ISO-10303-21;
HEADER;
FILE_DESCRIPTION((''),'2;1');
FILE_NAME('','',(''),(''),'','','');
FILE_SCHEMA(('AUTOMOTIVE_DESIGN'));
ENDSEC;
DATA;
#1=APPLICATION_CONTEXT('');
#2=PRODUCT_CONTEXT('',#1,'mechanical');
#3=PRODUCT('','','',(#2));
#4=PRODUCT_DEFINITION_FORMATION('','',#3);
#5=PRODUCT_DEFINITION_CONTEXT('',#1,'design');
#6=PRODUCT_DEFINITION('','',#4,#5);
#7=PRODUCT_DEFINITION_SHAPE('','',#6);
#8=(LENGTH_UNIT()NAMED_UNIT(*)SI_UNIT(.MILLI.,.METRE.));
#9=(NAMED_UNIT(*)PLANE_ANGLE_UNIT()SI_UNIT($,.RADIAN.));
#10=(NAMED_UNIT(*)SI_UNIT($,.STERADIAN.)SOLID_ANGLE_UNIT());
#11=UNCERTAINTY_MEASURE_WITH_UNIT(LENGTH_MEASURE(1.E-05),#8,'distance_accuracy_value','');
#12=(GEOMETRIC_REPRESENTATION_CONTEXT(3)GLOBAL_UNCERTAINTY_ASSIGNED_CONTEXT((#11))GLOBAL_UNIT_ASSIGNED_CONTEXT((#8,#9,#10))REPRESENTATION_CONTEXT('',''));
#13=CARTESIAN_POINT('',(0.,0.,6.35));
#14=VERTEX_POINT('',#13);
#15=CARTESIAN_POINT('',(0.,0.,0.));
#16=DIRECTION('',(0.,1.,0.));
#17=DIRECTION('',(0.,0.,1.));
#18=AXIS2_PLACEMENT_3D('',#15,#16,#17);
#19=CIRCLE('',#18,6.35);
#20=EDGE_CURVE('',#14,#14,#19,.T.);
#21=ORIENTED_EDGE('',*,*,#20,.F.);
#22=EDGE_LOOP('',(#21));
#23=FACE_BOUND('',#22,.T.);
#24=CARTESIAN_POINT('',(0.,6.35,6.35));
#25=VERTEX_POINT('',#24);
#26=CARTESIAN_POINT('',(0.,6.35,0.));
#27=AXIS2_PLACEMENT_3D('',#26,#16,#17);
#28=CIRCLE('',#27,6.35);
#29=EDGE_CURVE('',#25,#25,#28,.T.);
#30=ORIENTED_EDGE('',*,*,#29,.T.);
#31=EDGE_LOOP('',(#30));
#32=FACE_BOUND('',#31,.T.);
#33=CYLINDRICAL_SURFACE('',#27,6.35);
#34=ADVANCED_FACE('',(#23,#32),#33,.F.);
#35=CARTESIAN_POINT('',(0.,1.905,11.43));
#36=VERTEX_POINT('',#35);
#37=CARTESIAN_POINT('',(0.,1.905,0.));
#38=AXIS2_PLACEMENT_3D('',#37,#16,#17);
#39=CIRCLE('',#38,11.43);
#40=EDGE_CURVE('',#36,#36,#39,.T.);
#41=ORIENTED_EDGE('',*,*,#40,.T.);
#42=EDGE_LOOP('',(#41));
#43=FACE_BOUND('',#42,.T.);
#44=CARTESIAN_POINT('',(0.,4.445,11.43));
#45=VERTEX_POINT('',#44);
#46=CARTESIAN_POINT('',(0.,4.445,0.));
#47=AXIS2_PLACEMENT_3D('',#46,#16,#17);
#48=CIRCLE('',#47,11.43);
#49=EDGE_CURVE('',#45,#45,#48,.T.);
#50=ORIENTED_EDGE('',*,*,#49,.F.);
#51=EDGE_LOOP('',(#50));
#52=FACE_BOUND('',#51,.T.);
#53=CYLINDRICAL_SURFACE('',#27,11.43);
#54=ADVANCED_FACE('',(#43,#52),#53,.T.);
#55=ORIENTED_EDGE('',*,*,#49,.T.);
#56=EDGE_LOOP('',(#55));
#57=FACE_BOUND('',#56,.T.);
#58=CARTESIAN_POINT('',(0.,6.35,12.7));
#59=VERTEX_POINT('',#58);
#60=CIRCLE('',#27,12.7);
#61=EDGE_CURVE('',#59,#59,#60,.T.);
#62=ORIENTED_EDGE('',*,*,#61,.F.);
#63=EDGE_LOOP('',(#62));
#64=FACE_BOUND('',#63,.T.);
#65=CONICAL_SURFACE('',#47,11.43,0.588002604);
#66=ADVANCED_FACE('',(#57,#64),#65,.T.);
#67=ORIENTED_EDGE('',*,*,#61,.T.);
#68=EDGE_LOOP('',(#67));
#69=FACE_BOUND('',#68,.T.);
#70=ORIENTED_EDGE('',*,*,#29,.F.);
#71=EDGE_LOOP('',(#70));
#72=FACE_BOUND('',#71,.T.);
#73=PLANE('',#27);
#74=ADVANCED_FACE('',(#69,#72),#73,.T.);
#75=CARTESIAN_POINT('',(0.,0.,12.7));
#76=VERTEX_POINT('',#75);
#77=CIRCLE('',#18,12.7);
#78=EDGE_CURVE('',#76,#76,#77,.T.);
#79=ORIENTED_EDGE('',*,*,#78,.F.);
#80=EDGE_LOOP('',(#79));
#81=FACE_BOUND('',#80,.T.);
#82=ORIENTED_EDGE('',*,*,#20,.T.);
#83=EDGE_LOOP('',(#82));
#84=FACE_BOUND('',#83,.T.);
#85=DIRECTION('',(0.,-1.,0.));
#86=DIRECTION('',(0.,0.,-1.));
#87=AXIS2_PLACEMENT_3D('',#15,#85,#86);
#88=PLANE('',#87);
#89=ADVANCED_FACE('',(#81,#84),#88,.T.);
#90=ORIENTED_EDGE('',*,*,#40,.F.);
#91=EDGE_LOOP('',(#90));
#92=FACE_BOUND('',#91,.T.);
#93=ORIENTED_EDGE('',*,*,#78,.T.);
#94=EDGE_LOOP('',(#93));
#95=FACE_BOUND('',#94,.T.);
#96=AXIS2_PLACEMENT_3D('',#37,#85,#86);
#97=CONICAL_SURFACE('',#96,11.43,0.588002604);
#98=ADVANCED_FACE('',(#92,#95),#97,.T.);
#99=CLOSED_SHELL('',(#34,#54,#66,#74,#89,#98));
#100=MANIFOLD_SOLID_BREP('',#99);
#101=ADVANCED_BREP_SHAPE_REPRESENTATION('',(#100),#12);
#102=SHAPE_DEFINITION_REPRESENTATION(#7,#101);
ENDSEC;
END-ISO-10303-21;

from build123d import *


with BuildPart() as part:
    # Sketch1 → Revolve1 (revolve)
    with BuildSketch(Plane.XY, mode=Mode.PRIVATE) as revolve1_sk:
        Polygon((-11.43, 3.175), (-6.35, 3.175), (-6.35, 6.35), (-12.7, 6.35), (-11.43, 4.445), align=None)
        Polygon((-12.7, 0), (-6.35, 0), (-6.35, 3.175), (-11.43, 3.175), (-11.43, 1.905), align=None)
    revolve(revolve1_sk.sketch.rotate(Axis((0, 6.35, 0), (0, -1, 0)), 270), axis=Axis((0, 6.35, 0), (0, -1, 0)))


solid = part.part
